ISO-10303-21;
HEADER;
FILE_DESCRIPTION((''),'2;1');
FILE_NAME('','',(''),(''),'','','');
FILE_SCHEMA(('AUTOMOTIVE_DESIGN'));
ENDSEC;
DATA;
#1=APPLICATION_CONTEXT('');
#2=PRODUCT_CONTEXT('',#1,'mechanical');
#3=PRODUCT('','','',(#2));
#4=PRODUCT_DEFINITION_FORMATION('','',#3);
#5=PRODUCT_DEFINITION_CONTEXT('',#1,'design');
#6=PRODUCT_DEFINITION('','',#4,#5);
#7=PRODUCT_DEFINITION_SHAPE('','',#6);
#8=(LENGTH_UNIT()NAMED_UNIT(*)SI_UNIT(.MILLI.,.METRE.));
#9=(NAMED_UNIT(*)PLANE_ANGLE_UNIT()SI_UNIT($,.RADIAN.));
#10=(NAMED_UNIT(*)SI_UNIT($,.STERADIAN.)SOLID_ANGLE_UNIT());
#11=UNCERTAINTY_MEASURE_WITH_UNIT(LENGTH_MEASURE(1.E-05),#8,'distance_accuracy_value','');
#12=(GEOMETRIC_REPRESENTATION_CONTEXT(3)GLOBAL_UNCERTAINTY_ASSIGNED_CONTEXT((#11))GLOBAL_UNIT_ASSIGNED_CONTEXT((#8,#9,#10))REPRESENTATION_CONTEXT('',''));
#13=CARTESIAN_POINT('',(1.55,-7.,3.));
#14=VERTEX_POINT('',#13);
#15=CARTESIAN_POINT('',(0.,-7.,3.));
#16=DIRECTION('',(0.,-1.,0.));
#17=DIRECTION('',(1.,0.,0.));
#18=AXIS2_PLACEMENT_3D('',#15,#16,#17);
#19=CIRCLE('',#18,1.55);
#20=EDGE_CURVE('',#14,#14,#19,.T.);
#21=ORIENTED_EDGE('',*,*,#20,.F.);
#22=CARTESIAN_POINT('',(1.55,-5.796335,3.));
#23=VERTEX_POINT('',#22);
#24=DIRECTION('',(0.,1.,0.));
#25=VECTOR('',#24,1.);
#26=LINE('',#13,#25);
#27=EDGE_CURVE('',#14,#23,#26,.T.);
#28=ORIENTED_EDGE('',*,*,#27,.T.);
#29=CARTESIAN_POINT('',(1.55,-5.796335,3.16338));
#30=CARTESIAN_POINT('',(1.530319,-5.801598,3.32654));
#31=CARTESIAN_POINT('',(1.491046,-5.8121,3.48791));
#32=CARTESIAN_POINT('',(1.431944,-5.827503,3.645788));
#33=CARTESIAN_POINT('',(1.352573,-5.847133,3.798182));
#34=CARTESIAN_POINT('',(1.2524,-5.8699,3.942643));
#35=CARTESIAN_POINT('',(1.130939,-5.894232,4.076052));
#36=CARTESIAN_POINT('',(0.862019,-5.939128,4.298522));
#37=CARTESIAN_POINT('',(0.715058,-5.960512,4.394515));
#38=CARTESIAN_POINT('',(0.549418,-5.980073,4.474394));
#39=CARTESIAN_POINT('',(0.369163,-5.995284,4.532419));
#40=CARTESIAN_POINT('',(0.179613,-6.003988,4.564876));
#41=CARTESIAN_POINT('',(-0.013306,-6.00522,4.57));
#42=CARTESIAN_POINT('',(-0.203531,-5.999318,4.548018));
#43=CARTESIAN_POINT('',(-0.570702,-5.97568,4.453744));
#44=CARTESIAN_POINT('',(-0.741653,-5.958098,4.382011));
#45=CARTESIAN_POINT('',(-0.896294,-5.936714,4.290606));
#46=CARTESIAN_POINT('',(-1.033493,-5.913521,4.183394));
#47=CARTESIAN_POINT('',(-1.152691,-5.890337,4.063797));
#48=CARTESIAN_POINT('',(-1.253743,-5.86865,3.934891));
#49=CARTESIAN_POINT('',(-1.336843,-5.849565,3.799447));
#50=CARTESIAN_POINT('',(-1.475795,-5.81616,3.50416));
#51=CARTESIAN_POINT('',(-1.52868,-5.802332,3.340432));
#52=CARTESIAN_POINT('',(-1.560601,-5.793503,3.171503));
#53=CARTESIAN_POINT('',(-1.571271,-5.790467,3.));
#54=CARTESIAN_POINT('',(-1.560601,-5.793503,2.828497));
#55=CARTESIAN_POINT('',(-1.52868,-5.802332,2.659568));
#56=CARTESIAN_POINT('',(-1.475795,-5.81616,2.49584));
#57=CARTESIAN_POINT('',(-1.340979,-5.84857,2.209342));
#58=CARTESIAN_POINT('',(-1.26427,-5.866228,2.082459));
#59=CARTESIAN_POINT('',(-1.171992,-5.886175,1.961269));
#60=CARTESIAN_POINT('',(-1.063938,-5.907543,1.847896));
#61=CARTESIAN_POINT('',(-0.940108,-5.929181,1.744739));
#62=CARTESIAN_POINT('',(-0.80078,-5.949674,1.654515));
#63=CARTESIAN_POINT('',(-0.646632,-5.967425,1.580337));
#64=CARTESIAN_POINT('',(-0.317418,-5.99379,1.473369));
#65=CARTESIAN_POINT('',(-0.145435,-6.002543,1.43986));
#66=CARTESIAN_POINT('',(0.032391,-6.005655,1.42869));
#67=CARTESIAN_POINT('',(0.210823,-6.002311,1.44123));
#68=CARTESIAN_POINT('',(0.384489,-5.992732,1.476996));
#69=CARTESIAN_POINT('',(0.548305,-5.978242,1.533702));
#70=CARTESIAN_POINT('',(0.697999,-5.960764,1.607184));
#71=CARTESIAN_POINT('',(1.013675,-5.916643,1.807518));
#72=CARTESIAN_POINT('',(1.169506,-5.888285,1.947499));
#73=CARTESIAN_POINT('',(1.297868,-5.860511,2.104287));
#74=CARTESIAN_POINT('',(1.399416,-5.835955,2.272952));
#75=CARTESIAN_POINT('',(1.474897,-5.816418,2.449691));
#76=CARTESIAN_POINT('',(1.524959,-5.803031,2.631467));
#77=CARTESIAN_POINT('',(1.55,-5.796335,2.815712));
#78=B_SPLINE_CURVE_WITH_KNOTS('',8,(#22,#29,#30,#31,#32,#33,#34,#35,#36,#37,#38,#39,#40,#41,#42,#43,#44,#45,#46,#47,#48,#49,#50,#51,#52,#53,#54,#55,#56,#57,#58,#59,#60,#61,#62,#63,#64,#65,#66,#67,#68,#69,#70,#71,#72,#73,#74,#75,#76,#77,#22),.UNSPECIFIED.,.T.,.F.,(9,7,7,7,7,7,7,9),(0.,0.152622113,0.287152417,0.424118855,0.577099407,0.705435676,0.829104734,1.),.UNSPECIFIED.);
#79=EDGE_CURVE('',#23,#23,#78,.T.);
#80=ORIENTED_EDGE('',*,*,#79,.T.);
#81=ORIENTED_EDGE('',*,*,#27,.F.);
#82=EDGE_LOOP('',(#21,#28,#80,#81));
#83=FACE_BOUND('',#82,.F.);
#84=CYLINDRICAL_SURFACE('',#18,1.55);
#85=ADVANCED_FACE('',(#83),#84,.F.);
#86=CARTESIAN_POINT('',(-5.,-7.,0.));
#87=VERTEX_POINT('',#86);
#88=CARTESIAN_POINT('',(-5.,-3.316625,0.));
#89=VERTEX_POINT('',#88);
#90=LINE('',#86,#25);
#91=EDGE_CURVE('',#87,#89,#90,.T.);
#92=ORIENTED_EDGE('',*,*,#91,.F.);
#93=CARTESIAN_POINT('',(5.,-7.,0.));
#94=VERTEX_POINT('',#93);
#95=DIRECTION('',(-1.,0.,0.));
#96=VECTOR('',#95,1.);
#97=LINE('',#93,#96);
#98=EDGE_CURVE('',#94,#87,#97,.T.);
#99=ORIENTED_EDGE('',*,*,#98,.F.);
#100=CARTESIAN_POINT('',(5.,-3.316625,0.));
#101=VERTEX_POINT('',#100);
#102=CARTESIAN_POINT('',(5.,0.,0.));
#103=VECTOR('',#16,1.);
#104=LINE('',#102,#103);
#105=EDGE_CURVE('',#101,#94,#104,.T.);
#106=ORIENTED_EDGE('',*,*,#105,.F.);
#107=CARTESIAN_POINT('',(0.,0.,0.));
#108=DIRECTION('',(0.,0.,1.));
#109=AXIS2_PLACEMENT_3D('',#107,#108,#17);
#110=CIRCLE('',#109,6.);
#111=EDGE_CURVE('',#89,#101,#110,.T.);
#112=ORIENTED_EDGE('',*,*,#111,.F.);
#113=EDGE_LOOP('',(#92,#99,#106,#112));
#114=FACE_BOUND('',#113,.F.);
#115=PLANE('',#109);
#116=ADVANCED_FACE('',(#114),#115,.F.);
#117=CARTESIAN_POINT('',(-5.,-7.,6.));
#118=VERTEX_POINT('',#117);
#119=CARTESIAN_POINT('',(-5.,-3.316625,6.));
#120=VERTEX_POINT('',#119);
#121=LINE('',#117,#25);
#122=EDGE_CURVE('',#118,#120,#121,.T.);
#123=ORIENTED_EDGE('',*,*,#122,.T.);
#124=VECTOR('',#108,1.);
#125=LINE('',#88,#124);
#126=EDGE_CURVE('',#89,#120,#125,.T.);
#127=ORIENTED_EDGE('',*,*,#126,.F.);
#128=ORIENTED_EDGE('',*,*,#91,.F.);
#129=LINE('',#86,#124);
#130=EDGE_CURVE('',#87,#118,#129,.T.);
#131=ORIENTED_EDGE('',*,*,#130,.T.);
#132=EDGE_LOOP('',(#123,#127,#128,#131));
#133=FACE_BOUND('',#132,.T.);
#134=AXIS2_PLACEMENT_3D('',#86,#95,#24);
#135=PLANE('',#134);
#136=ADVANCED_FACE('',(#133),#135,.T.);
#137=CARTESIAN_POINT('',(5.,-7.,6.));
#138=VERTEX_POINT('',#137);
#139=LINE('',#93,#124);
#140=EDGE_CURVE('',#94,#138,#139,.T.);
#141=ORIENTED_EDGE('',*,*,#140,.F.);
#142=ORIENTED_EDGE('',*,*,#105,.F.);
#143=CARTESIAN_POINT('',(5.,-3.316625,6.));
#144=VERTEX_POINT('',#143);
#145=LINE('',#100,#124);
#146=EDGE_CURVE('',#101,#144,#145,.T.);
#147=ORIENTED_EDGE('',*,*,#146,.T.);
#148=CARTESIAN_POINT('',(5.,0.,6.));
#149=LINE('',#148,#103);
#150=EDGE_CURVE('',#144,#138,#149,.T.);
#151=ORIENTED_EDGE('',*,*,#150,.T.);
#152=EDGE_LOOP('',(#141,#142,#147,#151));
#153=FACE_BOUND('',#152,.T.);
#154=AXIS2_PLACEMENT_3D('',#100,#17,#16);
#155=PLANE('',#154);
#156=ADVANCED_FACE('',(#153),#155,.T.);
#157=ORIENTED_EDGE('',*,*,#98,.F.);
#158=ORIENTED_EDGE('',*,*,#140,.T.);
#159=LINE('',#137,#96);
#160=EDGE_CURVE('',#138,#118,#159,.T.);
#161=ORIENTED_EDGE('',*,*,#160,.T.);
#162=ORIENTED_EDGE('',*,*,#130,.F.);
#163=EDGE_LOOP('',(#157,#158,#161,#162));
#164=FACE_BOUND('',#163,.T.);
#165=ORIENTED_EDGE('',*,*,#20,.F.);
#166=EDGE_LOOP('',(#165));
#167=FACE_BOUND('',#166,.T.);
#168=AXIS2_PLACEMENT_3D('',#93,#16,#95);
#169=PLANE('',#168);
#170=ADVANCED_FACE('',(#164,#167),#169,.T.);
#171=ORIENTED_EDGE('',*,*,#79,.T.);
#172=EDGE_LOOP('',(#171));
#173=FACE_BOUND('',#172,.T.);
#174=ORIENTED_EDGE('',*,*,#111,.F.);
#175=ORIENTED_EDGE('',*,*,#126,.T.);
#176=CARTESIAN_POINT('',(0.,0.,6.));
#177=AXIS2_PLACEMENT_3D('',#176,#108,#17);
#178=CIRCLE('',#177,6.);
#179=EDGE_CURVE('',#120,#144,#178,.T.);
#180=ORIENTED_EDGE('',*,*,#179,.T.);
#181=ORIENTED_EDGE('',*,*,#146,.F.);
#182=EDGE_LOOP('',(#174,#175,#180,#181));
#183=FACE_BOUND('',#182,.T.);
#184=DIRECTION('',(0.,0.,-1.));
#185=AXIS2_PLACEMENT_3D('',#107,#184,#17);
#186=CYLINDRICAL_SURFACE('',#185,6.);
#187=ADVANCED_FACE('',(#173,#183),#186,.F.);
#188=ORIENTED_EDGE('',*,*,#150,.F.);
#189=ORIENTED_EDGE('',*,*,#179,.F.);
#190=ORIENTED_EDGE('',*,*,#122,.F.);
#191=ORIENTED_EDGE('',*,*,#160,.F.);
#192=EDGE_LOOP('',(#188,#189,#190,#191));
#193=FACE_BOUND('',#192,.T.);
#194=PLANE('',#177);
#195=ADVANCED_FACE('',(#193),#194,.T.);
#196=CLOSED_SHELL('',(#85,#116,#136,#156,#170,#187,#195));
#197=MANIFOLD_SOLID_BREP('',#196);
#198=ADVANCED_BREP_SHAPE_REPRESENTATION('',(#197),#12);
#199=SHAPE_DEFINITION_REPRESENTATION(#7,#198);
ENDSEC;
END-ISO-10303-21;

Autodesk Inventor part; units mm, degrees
ref_plane "YZ Plane" through (0, 0, 0) normal (1, 0, 0) x (0, 1, 0)
ref_plane "XZ Plane" through (0, 0, 0) normal (0, 1, 0) x (-1, 0, 0)
ref_plane "XY Plane" through (0, 0, 0) normal (0, 0, 1) x (1, 0, 0)
sketch "Sketch1" plane through (0, 0, 0) normal (0, 0, 1) x (1, 0, 0)
  circle A0 centre (0, 0) radius 6
  line L0 (-5, 0) -> (5, 0)
  line L1 (5, 0) -> (5, -7)
  line L2 (5, -7) -> (-5, -7)
  line L3 (-5, -7) -> (-5, 0)
  point P0 (5, -3.3166)
  point P1 (-5, -3.3166)
  dimension "d0" = 12
  dimension "d1" = 1
  dimension "d2" = 5
  dimension "d3" = 5
extrude "Extrusion1" add sketch "Sketch1" along normal blind 6 contours A0 L1 L2 L3
sketch "Sketch2" plane through (-5, -7, 0) normal (0, -1, 0) x (1, 0, 0)
  line L0 (0, 0) -> (10, 0) projected
  line L1 (10, 0) -> (10, 6) projected
  line L2 (0, 6) -> (10, 6) projected
  line L3 (0, 0) -> (0, 6) projected
  line L4 (0, 6) -> (10, 6) construction
  line L5 (10, 0) -> (0, 6) construction
  line L6 (0, 0) -> (10, 0) construction
  line L7 (10, 6) -> (0, 0) construction
  circle A0 centre (5, 3) radius 1.55
  point P0 (5, 0)
  dimension "d6" = 3.1
extrude "Extrusion2" cut sketch "Sketch2" along normal mid plane 6 contours A0
properties part number "Tube_adaptor_2"
